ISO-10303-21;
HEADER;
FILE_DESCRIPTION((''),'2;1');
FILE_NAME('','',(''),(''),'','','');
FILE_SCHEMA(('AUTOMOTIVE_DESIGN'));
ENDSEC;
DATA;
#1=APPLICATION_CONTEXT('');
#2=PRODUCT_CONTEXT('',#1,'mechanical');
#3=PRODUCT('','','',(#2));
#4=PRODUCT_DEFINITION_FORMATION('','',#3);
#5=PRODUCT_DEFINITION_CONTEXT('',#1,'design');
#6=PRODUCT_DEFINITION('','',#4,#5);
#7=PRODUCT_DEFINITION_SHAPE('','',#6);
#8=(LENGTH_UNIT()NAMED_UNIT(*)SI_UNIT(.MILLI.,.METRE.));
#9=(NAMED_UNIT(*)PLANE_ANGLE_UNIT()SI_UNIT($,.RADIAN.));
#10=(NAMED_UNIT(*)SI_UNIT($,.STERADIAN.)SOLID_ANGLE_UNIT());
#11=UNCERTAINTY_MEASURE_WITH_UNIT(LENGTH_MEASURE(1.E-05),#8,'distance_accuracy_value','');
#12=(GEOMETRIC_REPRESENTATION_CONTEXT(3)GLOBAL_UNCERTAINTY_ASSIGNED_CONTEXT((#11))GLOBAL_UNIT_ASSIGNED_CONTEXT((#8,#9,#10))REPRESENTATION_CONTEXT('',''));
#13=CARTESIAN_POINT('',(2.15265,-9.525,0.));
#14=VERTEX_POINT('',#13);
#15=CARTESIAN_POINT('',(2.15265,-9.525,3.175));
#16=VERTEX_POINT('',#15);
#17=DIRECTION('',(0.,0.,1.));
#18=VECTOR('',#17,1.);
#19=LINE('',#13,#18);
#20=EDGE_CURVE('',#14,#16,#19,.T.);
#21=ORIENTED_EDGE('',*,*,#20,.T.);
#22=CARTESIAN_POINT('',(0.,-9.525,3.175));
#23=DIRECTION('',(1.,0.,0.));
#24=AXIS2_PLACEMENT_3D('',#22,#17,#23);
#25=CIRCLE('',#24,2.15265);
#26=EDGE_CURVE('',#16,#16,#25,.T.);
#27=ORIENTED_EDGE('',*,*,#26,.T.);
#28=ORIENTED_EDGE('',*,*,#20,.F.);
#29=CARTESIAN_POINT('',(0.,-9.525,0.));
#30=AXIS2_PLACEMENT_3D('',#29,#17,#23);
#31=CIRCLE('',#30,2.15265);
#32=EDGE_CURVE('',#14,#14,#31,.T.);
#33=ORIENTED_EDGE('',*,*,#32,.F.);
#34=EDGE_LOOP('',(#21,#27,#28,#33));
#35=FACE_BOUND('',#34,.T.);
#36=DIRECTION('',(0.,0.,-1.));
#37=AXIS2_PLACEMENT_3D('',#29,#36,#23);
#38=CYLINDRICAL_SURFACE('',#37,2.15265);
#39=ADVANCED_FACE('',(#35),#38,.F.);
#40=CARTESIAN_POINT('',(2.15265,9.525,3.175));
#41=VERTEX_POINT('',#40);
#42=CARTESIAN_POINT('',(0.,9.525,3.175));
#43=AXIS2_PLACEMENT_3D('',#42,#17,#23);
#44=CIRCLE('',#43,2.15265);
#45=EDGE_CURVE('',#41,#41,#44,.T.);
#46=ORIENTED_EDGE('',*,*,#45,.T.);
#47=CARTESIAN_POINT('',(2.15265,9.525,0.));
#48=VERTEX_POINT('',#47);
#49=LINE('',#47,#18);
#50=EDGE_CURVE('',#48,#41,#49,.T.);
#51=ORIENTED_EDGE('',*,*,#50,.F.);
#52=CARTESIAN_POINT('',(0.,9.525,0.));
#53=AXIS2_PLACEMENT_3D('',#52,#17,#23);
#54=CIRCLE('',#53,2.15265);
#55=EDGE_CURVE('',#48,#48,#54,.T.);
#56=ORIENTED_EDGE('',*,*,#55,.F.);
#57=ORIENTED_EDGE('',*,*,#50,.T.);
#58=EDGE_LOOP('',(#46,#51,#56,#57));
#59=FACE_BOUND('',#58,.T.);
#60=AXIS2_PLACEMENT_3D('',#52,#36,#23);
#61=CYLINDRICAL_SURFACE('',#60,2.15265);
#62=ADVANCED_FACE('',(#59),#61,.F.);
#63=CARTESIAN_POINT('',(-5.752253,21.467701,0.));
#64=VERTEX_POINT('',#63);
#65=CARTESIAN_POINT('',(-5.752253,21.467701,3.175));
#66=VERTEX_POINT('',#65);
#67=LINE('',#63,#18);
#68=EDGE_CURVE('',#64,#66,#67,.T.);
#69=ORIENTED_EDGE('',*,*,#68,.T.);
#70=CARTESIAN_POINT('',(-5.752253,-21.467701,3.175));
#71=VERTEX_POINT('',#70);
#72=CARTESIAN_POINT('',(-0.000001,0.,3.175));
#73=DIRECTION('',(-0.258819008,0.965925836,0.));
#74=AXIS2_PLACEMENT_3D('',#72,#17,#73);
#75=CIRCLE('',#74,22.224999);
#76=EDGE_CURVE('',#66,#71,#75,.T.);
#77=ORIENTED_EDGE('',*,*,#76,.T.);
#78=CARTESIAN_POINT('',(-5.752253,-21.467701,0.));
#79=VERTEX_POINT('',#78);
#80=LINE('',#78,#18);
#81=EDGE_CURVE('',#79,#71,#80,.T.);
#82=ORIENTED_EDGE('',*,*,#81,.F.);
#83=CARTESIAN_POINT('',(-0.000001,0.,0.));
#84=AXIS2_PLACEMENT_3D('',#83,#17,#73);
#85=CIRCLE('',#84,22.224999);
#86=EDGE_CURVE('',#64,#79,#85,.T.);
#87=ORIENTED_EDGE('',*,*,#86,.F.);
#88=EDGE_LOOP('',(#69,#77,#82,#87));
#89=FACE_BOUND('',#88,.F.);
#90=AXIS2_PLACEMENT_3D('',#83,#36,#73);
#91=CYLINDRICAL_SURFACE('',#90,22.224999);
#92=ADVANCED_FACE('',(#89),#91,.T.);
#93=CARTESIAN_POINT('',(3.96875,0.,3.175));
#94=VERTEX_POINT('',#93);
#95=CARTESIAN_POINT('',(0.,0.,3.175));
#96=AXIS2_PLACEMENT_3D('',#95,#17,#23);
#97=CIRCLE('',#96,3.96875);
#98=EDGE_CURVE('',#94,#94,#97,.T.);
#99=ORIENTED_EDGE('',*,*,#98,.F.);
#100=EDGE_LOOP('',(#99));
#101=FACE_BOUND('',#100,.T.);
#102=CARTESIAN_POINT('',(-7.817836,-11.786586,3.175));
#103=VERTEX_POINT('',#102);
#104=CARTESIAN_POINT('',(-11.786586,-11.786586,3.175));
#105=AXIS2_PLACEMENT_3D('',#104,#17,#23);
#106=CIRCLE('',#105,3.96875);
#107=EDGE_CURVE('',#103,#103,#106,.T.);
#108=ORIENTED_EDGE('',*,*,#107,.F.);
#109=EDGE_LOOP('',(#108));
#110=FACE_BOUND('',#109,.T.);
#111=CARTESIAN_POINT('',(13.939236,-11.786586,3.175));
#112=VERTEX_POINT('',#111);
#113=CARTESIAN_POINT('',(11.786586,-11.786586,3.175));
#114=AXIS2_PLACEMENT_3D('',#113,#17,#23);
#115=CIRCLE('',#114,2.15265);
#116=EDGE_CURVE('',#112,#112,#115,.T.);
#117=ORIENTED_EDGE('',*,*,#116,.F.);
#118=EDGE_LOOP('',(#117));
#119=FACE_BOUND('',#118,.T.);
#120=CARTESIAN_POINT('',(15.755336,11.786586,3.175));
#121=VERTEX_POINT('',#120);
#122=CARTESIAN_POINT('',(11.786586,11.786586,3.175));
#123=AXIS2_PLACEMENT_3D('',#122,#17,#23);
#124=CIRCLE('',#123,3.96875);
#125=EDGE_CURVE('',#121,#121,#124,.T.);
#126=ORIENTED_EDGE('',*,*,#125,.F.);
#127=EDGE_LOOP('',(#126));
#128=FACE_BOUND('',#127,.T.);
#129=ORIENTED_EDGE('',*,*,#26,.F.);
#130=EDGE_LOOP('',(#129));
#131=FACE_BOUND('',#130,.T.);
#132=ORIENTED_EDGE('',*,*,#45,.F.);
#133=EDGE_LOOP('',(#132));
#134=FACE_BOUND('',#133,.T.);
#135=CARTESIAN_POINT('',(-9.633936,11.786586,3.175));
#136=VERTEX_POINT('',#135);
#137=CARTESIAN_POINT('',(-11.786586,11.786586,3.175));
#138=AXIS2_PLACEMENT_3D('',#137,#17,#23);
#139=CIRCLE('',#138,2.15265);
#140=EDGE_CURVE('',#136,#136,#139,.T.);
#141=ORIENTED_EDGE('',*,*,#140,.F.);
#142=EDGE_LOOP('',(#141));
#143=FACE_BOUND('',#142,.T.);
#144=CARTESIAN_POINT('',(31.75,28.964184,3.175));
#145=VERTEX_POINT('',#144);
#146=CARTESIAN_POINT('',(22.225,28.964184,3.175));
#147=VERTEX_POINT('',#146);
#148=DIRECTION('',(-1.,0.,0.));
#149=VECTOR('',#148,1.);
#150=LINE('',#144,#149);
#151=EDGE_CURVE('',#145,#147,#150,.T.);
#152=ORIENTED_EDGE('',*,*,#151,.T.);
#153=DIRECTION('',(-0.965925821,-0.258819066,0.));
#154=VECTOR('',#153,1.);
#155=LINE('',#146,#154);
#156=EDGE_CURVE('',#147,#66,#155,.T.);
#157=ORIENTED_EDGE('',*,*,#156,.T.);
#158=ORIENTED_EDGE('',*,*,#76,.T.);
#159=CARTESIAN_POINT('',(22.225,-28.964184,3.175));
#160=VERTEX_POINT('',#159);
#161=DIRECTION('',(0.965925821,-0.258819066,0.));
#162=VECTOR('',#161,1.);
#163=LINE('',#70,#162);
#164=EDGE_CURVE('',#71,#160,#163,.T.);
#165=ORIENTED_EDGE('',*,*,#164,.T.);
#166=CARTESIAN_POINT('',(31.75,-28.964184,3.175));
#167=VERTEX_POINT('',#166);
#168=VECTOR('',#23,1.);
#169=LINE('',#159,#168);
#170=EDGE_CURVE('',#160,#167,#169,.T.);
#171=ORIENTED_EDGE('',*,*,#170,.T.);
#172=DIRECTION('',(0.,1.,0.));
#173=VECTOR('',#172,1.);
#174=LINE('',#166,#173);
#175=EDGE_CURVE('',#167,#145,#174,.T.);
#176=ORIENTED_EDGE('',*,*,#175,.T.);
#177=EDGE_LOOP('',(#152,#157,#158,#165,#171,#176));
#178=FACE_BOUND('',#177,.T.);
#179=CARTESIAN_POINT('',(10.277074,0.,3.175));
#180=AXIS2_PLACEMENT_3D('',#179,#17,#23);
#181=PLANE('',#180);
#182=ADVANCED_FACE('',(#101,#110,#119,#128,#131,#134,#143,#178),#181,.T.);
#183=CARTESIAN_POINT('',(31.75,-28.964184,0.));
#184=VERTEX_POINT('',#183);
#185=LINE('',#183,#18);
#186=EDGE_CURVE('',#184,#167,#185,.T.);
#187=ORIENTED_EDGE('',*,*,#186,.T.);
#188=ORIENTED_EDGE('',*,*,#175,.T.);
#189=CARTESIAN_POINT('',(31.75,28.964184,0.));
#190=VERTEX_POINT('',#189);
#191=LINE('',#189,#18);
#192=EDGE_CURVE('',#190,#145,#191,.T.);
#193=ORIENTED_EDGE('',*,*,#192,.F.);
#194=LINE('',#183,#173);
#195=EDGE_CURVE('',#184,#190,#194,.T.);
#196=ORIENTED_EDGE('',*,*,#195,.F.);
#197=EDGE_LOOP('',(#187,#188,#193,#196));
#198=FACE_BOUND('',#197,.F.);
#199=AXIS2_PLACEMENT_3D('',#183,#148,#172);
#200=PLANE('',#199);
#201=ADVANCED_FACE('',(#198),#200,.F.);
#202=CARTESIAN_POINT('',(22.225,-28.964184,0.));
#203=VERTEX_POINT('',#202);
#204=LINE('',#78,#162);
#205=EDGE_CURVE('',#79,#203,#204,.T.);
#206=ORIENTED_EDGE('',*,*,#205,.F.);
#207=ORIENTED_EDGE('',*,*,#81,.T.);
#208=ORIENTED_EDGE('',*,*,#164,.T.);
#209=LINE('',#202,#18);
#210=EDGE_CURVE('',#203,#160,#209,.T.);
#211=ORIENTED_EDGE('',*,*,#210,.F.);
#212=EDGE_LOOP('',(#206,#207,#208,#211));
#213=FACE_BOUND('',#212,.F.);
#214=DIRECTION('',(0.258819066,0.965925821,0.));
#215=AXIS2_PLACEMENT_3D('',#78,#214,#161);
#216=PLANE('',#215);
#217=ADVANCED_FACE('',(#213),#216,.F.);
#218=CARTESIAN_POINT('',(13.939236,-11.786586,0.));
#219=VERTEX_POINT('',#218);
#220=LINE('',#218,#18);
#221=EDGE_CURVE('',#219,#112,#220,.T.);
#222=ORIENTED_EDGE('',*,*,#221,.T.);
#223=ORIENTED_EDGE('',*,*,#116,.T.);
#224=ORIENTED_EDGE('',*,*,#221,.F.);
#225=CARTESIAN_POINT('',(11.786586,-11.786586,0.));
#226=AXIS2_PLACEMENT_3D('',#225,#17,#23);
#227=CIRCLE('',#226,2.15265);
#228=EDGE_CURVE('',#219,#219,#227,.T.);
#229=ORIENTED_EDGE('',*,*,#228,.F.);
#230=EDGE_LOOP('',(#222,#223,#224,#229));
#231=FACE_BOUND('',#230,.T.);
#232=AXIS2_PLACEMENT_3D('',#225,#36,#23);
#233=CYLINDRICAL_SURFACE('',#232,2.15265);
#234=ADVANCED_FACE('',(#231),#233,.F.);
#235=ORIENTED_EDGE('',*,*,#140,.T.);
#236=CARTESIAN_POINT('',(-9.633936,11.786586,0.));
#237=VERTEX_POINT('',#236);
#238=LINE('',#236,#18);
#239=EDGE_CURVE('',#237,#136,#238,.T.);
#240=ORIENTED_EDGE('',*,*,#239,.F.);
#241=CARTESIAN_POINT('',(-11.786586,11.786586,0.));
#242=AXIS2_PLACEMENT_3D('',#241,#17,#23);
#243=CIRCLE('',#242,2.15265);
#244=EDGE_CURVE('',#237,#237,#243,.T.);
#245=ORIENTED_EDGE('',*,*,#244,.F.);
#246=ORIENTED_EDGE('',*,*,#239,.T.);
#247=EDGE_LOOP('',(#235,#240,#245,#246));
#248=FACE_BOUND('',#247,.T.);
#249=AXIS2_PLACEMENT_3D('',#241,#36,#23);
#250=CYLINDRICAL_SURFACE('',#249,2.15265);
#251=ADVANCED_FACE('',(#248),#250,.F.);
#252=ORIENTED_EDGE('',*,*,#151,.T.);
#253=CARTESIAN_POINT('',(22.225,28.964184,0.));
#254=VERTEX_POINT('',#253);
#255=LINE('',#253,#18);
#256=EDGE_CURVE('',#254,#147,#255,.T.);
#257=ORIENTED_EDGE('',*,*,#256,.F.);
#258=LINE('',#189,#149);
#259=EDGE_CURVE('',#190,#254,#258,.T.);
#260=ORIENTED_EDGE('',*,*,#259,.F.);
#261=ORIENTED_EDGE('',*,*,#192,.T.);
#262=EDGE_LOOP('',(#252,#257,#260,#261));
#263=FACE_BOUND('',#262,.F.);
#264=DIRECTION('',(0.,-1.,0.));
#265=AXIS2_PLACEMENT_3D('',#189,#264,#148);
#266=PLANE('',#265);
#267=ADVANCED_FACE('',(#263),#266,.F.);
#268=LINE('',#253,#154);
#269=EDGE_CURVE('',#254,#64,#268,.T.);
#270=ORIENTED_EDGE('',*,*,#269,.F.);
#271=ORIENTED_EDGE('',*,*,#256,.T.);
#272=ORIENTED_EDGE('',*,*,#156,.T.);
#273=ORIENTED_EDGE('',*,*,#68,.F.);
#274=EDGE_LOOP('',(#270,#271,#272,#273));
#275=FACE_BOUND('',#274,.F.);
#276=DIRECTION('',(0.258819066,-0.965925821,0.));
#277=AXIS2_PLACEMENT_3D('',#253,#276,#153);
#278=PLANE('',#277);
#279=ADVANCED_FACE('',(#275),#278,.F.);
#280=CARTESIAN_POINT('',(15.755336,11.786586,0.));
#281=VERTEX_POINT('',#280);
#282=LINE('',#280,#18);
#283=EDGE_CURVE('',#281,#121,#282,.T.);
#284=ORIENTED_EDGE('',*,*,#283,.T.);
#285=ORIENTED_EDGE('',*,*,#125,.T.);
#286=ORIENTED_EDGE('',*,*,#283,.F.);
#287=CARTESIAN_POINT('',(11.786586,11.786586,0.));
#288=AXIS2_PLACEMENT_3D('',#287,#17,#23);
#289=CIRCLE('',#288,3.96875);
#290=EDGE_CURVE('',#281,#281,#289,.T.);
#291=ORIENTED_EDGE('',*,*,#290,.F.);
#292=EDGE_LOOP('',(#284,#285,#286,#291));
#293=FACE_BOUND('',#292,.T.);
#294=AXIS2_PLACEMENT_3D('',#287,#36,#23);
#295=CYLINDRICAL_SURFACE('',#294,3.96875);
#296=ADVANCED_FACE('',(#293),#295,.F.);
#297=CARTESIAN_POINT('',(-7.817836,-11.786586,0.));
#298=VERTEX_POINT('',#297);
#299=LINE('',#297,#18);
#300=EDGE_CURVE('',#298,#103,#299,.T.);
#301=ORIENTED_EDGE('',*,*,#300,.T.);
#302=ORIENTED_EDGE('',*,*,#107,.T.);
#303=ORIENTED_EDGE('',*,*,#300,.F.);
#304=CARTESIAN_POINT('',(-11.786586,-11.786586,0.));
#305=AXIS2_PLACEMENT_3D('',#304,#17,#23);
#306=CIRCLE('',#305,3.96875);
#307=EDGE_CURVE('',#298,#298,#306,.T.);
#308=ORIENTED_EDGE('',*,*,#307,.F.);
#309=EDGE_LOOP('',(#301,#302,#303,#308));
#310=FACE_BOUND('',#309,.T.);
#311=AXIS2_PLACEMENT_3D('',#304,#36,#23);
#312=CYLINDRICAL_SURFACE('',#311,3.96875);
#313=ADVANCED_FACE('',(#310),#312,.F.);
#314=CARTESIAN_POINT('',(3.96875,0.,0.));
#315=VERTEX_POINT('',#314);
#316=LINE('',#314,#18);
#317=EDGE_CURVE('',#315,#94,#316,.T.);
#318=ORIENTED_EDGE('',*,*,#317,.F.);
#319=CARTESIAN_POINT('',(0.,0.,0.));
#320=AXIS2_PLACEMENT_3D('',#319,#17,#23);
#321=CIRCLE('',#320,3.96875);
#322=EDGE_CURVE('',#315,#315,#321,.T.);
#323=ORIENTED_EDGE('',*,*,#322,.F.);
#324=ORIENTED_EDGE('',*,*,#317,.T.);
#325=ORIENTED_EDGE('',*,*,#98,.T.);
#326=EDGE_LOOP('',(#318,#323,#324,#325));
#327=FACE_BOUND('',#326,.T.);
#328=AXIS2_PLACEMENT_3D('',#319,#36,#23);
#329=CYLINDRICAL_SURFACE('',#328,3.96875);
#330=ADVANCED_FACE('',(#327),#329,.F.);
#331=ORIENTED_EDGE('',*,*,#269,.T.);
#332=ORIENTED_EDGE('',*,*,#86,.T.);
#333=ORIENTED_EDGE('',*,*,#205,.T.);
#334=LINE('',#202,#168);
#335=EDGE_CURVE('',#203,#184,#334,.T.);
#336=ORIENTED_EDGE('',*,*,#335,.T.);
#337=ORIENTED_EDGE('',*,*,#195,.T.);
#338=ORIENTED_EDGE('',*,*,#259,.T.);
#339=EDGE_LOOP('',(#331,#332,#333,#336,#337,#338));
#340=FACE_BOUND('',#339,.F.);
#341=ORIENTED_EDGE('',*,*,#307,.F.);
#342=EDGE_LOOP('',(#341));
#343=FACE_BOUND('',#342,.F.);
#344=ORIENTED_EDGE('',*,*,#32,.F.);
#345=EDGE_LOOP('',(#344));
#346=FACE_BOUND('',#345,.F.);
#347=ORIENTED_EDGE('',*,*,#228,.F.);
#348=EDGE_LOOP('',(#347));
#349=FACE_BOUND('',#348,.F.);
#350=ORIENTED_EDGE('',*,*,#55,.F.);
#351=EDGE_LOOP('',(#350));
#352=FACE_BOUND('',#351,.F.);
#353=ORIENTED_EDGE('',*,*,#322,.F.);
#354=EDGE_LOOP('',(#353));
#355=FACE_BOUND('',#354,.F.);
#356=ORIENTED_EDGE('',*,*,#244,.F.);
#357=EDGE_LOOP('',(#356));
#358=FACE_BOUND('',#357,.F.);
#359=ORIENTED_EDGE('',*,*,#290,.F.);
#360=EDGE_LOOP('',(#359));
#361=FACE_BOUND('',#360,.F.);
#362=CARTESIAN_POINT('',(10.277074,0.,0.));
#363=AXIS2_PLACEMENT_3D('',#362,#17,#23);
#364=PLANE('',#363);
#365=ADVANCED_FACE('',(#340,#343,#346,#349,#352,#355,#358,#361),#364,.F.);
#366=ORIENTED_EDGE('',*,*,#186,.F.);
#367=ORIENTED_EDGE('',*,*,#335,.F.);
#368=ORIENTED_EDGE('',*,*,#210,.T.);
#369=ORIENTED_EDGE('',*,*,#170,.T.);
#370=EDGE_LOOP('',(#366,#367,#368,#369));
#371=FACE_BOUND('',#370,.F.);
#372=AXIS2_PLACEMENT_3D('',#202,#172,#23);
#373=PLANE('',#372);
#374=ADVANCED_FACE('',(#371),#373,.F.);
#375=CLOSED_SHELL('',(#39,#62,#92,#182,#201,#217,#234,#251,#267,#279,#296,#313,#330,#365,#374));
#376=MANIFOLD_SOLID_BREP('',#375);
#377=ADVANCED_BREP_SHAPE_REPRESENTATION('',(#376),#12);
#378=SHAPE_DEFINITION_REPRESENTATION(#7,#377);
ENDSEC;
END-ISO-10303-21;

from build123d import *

# Parameters (mm, degrees)
F0_R     = 3.96875
F0_R_2   = 2.15265
F1_DEPTH = 3.175


with BuildPart() as f1:
    # F0 (on Top) → F1 (new body)
    with BuildSketch(Plane.XY):
        with BuildLine():
            Line((31.75, 28.964184), (22.225, 28.964184))
            Line((22.225, 28.964184), (-5.752253, 21.467701))
            ThreePointArc((-5.752253, 21.467701), (-22.225, 0), (-5.752253, -21.467701))
            Line((-5.752253, -21.467701), (22.225, -28.964184))
            Line((22.225, -28.964184), (31.75, -28.964184))
            Line((31.75, -28.964184), (31.75, 28.964184))
        make_face()
        with Locations((-11.786586, -11.786586)):
            Circle(F0_R, mode=Mode.SUBTRACT)
        with Locations((0, -9.525)):
            Circle(F0_R_2, mode=Mode.SUBTRACT)
        with Locations((11.786586, -11.786586)):
            Circle(F0_R_2, mode=Mode.SUBTRACT)
        with Locations((-11.786586, 11.786586)):
            Circle(F0_R_2, mode=Mode.SUBTRACT)
        Circle(F0_R, mode=Mode.SUBTRACT)
        with Locations((0, 9.525)):
            Circle(F0_R_2, mode=Mode.SUBTRACT)
        with Locations((11.786586, 11.786586)):
            Circle(F0_R, mode=Mode.SUBTRACT)
    extrude(amount=F1_DEPTH)


solid = f1.part
